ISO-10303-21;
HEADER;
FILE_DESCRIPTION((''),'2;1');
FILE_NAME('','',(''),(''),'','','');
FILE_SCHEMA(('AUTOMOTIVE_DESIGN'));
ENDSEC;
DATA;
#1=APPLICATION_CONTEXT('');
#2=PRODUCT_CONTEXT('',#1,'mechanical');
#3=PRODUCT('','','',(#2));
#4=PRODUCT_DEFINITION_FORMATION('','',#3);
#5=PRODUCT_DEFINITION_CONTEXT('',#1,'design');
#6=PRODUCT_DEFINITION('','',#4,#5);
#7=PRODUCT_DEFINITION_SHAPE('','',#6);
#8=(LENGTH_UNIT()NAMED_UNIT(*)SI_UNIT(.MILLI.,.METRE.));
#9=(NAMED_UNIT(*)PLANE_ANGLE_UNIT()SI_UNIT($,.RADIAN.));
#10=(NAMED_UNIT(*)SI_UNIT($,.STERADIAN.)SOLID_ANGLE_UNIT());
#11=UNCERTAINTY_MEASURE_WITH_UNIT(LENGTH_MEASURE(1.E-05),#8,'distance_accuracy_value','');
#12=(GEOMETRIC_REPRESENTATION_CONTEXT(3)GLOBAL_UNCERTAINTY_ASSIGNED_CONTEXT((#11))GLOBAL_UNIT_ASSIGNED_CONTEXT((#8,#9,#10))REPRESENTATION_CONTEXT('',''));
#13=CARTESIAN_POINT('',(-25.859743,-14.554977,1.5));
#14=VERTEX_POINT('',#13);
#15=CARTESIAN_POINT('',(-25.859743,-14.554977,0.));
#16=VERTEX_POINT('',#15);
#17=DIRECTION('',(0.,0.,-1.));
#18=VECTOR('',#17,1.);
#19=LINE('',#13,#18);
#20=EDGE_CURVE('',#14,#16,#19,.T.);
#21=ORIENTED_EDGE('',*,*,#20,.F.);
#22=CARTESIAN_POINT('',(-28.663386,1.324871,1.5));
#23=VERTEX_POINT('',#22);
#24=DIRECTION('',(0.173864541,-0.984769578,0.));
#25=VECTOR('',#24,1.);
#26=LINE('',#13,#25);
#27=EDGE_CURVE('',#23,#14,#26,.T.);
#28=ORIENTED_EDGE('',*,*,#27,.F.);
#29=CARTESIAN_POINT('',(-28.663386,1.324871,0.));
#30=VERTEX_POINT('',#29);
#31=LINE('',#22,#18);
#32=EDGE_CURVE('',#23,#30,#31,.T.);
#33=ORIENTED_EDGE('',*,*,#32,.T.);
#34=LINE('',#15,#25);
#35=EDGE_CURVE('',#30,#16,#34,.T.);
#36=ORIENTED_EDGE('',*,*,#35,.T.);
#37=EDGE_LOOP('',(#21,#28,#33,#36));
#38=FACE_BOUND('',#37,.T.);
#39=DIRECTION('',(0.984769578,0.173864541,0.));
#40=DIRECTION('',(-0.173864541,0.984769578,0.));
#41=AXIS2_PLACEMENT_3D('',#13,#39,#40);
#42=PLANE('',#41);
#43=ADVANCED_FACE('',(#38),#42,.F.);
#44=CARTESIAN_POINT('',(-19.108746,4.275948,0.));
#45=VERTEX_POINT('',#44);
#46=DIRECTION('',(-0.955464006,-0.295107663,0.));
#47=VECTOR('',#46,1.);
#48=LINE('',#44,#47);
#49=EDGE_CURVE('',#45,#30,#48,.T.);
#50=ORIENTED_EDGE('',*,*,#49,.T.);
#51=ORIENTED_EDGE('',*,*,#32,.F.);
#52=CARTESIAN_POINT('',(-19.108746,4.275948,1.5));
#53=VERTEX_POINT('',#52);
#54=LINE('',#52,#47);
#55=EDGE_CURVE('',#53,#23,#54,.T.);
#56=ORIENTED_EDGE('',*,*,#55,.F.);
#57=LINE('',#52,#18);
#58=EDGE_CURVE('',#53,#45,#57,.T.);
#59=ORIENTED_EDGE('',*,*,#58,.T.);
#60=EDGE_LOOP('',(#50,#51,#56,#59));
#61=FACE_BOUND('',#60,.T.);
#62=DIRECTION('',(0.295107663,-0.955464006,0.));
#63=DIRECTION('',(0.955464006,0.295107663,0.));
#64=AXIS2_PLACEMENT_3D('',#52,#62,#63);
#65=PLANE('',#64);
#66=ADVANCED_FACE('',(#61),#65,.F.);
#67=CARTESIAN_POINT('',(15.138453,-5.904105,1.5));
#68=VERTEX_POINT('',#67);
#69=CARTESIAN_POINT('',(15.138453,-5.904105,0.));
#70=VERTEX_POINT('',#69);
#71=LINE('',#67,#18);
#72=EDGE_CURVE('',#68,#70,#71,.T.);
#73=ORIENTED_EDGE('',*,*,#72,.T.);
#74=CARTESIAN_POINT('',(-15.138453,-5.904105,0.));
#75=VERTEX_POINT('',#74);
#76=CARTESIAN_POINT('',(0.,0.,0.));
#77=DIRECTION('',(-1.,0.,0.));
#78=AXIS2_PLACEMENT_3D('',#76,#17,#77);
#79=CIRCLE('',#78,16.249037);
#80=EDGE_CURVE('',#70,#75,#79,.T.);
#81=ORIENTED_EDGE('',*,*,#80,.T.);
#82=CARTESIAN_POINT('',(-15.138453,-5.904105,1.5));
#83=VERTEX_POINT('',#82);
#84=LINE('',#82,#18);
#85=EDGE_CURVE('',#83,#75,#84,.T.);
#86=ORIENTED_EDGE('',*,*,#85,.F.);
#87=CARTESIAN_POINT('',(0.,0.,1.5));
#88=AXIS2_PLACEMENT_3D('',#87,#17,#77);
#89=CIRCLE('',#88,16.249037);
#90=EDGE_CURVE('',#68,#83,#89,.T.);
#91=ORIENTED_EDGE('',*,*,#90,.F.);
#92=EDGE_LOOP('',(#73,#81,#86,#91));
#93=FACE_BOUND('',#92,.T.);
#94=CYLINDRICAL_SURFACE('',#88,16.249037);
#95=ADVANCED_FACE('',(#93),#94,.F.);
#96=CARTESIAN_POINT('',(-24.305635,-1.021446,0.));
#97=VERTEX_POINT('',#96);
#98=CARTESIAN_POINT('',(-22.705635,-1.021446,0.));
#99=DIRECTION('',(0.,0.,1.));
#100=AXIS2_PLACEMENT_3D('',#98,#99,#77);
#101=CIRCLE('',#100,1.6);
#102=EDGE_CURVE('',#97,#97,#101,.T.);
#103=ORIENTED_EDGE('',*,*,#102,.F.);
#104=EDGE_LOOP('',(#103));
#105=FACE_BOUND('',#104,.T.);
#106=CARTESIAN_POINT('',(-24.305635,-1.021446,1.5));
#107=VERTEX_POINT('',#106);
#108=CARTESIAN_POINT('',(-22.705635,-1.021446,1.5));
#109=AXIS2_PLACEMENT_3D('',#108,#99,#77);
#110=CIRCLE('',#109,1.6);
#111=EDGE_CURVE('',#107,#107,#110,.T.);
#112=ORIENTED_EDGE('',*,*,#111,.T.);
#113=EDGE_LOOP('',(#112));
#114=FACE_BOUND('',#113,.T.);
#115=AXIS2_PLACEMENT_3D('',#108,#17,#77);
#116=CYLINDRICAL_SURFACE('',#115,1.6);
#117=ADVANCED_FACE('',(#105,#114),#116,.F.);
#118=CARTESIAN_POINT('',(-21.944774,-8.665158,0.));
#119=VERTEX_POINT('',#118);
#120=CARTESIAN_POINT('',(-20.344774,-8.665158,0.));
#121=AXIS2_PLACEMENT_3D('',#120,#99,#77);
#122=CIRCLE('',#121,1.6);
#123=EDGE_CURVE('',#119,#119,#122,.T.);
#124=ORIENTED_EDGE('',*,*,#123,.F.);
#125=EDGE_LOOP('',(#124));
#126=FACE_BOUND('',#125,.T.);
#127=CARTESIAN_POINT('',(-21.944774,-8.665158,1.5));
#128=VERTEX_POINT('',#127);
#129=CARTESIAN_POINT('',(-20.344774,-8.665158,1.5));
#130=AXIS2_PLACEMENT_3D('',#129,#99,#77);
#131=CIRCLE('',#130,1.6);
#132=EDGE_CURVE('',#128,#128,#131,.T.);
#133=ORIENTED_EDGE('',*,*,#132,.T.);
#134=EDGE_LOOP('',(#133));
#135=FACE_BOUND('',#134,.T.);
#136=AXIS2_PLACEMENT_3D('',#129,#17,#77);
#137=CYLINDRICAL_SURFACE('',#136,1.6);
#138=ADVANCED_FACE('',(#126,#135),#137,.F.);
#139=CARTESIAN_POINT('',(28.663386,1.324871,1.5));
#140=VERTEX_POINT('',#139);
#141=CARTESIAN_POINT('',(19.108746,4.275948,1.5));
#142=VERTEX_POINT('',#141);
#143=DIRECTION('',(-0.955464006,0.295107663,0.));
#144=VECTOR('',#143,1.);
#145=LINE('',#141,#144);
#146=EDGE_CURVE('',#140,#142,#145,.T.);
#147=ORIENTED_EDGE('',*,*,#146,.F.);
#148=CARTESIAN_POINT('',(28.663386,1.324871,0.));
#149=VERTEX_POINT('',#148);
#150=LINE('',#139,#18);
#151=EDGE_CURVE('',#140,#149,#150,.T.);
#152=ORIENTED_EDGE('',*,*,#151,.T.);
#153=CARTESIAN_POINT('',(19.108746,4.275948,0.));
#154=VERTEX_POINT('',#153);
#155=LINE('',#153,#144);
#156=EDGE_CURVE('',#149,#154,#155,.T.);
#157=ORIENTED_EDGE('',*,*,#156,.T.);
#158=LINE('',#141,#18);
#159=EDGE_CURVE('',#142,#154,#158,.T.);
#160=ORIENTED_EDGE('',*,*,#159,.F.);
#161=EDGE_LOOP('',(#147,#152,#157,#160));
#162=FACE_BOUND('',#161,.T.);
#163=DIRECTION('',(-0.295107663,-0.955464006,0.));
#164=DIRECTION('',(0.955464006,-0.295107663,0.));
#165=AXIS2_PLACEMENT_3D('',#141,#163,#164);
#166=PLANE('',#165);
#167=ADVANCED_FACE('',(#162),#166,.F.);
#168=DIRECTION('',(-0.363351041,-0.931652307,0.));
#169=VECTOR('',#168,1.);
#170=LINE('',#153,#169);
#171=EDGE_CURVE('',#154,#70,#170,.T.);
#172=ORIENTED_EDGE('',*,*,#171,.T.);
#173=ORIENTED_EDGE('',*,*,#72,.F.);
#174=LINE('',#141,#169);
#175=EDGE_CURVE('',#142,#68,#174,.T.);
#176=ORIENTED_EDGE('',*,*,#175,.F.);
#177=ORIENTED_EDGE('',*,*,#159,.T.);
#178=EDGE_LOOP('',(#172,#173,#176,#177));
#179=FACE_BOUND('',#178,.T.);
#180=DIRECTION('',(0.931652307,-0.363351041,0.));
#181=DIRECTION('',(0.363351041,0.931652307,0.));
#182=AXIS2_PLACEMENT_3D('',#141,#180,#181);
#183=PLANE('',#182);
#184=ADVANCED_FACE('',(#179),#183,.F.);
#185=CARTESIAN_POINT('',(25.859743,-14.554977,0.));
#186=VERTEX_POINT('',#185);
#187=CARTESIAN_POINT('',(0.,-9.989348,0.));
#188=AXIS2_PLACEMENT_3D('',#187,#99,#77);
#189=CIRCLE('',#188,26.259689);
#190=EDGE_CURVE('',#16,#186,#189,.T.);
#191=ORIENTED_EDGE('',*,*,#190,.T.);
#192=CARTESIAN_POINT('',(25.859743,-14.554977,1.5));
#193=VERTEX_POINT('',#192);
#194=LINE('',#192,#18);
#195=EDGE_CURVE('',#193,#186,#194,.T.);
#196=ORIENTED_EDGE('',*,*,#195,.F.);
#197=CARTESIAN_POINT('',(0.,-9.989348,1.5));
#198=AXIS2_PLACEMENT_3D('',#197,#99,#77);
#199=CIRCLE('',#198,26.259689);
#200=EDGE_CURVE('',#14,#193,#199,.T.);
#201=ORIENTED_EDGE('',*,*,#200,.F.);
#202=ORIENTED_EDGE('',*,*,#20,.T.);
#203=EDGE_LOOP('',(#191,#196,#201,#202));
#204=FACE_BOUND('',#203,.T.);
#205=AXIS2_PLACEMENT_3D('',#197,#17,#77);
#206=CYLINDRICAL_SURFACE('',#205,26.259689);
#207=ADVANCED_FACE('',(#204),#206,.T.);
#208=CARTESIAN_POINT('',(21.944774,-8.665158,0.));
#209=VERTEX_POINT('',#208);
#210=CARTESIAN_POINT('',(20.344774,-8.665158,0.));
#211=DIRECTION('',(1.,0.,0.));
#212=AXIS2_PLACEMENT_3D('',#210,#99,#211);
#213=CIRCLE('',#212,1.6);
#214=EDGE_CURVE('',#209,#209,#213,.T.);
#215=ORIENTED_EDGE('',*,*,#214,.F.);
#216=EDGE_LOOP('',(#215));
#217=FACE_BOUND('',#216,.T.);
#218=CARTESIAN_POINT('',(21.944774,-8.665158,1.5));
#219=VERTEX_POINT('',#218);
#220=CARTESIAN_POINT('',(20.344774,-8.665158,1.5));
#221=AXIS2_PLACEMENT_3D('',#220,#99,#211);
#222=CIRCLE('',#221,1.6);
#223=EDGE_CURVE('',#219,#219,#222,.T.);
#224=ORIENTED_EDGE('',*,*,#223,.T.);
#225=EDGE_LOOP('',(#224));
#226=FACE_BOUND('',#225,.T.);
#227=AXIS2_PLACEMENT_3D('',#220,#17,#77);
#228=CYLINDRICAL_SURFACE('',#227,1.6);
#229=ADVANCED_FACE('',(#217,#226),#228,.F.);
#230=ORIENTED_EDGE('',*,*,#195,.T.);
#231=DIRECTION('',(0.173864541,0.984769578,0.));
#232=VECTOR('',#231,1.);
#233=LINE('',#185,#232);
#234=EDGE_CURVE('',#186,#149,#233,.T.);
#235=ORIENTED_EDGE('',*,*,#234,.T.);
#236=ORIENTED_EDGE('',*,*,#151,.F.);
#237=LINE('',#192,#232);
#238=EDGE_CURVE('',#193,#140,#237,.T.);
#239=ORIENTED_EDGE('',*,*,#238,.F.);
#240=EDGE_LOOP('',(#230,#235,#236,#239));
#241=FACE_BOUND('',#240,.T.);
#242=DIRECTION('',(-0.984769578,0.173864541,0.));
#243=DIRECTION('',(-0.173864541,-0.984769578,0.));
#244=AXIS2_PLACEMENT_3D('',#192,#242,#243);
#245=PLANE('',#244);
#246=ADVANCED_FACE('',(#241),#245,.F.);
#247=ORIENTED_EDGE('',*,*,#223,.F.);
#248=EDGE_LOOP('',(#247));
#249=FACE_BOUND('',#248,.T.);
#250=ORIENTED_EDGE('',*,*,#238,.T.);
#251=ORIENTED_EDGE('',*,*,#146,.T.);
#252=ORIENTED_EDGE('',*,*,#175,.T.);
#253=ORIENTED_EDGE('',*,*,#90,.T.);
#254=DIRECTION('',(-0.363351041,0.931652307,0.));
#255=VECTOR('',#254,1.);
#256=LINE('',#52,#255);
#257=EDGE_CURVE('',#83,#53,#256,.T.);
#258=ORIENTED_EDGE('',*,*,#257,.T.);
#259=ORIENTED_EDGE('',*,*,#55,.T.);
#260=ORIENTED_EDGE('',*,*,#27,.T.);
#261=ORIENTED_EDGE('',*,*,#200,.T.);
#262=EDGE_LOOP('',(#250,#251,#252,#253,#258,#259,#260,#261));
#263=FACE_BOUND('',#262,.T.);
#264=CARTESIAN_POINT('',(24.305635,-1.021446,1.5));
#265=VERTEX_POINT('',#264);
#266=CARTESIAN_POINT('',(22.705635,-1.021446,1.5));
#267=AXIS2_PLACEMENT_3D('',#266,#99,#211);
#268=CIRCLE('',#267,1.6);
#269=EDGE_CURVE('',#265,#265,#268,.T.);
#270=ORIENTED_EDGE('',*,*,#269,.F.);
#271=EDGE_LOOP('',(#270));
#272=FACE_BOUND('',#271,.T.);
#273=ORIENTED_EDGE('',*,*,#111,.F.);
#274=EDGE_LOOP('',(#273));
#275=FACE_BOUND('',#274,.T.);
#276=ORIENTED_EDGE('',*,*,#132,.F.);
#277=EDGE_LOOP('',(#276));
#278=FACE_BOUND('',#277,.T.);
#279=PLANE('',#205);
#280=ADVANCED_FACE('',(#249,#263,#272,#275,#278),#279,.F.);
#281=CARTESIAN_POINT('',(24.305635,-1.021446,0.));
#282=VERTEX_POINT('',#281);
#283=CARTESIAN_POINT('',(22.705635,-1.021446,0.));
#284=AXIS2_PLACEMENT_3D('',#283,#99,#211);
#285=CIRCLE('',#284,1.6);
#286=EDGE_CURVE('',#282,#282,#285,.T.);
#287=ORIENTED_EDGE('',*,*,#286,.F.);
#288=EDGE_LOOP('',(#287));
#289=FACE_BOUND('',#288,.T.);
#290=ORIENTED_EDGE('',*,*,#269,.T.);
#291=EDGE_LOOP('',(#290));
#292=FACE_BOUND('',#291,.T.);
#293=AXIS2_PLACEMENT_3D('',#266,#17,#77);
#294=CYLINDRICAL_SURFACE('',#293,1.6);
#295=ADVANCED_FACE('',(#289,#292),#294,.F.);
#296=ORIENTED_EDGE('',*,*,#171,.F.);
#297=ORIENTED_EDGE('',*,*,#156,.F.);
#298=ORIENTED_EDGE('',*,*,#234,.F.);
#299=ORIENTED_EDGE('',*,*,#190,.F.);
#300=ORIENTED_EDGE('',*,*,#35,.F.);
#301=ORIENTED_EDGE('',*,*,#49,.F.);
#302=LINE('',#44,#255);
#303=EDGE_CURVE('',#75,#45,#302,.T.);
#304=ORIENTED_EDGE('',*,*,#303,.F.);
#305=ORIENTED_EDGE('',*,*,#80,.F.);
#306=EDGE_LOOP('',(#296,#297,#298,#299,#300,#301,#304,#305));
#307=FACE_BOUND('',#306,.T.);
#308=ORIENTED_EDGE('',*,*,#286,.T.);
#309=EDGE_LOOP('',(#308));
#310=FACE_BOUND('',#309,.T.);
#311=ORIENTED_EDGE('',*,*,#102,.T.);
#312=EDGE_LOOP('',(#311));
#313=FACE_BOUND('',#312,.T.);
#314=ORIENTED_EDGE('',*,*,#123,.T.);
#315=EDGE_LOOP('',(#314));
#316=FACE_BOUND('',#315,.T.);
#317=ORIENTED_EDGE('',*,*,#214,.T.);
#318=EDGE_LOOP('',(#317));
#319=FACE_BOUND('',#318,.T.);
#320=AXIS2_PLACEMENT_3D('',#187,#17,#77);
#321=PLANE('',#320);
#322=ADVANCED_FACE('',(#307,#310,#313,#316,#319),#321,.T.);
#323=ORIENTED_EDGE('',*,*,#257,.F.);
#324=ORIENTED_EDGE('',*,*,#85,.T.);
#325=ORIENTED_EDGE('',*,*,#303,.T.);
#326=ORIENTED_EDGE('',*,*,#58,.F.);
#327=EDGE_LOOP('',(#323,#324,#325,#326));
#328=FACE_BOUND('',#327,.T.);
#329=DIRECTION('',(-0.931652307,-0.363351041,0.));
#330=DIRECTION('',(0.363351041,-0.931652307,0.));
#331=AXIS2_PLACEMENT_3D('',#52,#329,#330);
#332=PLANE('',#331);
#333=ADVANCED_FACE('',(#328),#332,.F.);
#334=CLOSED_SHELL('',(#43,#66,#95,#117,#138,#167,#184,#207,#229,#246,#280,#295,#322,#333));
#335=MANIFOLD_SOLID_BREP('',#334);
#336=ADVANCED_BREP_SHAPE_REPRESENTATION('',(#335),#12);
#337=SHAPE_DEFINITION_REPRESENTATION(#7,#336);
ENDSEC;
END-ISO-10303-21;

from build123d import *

# Parameters (mm, degrees)
SKETCH1_R           = 1.6
BOSS_EXTRUDE1_DEPTH = 1.5


with BuildPart() as part:
    # Sketch1 → Boss-Extrude1 (new body)
    with BuildSketch(Plane.XY):
        with BuildLine():
            Line((25.85974293, -14.554976912), (28.663386119, 1.32487132))
            Line((28.663386119, 1.32487132), (19.108746057, 4.275947949))
            Line((19.108746057, 4.275947949), (15.138453004, -5.904104582))
            ThreePointArc((15.138453004, -5.904104582), (0, -16.249037211), (-15.138453004, -5.904104582))
            Line((-15.138453004, -5.904104582), (-19.108746057, 4.275947949))
            Line((-19.108746057, 4.275947949), (-28.663386119, 1.32487132))
            Line((-28.663386119, 1.32487132), (-25.85974293, -14.554976912))
            ThreePointArc((-25.85974293, -14.554976912), (0, -36.249037211), (25.85974293, -14.554976912))
        make_face()
        with Locations(Location((-20.344774133, -8.665158441, 0), (0, 0, 180))):
            Circle(SKETCH1_R, mode=Mode.SUBTRACT)
        with Locations(Location((-22.705635436, -1.021446391, 0), (0, 0, 180))):
            Circle(SKETCH1_R, mode=Mode.SUBTRACT)
        with Locations((22.705635436, -1.021446391)):
            Circle(SKETCH1_R, mode=Mode.SUBTRACT)
        with Locations((20.344774133, -8.665158441)):
            Circle(SKETCH1_R, mode=Mode.SUBTRACT)
    extrude(amount=BOSS_EXTRUDE1_DEPTH)


solid = part.part
